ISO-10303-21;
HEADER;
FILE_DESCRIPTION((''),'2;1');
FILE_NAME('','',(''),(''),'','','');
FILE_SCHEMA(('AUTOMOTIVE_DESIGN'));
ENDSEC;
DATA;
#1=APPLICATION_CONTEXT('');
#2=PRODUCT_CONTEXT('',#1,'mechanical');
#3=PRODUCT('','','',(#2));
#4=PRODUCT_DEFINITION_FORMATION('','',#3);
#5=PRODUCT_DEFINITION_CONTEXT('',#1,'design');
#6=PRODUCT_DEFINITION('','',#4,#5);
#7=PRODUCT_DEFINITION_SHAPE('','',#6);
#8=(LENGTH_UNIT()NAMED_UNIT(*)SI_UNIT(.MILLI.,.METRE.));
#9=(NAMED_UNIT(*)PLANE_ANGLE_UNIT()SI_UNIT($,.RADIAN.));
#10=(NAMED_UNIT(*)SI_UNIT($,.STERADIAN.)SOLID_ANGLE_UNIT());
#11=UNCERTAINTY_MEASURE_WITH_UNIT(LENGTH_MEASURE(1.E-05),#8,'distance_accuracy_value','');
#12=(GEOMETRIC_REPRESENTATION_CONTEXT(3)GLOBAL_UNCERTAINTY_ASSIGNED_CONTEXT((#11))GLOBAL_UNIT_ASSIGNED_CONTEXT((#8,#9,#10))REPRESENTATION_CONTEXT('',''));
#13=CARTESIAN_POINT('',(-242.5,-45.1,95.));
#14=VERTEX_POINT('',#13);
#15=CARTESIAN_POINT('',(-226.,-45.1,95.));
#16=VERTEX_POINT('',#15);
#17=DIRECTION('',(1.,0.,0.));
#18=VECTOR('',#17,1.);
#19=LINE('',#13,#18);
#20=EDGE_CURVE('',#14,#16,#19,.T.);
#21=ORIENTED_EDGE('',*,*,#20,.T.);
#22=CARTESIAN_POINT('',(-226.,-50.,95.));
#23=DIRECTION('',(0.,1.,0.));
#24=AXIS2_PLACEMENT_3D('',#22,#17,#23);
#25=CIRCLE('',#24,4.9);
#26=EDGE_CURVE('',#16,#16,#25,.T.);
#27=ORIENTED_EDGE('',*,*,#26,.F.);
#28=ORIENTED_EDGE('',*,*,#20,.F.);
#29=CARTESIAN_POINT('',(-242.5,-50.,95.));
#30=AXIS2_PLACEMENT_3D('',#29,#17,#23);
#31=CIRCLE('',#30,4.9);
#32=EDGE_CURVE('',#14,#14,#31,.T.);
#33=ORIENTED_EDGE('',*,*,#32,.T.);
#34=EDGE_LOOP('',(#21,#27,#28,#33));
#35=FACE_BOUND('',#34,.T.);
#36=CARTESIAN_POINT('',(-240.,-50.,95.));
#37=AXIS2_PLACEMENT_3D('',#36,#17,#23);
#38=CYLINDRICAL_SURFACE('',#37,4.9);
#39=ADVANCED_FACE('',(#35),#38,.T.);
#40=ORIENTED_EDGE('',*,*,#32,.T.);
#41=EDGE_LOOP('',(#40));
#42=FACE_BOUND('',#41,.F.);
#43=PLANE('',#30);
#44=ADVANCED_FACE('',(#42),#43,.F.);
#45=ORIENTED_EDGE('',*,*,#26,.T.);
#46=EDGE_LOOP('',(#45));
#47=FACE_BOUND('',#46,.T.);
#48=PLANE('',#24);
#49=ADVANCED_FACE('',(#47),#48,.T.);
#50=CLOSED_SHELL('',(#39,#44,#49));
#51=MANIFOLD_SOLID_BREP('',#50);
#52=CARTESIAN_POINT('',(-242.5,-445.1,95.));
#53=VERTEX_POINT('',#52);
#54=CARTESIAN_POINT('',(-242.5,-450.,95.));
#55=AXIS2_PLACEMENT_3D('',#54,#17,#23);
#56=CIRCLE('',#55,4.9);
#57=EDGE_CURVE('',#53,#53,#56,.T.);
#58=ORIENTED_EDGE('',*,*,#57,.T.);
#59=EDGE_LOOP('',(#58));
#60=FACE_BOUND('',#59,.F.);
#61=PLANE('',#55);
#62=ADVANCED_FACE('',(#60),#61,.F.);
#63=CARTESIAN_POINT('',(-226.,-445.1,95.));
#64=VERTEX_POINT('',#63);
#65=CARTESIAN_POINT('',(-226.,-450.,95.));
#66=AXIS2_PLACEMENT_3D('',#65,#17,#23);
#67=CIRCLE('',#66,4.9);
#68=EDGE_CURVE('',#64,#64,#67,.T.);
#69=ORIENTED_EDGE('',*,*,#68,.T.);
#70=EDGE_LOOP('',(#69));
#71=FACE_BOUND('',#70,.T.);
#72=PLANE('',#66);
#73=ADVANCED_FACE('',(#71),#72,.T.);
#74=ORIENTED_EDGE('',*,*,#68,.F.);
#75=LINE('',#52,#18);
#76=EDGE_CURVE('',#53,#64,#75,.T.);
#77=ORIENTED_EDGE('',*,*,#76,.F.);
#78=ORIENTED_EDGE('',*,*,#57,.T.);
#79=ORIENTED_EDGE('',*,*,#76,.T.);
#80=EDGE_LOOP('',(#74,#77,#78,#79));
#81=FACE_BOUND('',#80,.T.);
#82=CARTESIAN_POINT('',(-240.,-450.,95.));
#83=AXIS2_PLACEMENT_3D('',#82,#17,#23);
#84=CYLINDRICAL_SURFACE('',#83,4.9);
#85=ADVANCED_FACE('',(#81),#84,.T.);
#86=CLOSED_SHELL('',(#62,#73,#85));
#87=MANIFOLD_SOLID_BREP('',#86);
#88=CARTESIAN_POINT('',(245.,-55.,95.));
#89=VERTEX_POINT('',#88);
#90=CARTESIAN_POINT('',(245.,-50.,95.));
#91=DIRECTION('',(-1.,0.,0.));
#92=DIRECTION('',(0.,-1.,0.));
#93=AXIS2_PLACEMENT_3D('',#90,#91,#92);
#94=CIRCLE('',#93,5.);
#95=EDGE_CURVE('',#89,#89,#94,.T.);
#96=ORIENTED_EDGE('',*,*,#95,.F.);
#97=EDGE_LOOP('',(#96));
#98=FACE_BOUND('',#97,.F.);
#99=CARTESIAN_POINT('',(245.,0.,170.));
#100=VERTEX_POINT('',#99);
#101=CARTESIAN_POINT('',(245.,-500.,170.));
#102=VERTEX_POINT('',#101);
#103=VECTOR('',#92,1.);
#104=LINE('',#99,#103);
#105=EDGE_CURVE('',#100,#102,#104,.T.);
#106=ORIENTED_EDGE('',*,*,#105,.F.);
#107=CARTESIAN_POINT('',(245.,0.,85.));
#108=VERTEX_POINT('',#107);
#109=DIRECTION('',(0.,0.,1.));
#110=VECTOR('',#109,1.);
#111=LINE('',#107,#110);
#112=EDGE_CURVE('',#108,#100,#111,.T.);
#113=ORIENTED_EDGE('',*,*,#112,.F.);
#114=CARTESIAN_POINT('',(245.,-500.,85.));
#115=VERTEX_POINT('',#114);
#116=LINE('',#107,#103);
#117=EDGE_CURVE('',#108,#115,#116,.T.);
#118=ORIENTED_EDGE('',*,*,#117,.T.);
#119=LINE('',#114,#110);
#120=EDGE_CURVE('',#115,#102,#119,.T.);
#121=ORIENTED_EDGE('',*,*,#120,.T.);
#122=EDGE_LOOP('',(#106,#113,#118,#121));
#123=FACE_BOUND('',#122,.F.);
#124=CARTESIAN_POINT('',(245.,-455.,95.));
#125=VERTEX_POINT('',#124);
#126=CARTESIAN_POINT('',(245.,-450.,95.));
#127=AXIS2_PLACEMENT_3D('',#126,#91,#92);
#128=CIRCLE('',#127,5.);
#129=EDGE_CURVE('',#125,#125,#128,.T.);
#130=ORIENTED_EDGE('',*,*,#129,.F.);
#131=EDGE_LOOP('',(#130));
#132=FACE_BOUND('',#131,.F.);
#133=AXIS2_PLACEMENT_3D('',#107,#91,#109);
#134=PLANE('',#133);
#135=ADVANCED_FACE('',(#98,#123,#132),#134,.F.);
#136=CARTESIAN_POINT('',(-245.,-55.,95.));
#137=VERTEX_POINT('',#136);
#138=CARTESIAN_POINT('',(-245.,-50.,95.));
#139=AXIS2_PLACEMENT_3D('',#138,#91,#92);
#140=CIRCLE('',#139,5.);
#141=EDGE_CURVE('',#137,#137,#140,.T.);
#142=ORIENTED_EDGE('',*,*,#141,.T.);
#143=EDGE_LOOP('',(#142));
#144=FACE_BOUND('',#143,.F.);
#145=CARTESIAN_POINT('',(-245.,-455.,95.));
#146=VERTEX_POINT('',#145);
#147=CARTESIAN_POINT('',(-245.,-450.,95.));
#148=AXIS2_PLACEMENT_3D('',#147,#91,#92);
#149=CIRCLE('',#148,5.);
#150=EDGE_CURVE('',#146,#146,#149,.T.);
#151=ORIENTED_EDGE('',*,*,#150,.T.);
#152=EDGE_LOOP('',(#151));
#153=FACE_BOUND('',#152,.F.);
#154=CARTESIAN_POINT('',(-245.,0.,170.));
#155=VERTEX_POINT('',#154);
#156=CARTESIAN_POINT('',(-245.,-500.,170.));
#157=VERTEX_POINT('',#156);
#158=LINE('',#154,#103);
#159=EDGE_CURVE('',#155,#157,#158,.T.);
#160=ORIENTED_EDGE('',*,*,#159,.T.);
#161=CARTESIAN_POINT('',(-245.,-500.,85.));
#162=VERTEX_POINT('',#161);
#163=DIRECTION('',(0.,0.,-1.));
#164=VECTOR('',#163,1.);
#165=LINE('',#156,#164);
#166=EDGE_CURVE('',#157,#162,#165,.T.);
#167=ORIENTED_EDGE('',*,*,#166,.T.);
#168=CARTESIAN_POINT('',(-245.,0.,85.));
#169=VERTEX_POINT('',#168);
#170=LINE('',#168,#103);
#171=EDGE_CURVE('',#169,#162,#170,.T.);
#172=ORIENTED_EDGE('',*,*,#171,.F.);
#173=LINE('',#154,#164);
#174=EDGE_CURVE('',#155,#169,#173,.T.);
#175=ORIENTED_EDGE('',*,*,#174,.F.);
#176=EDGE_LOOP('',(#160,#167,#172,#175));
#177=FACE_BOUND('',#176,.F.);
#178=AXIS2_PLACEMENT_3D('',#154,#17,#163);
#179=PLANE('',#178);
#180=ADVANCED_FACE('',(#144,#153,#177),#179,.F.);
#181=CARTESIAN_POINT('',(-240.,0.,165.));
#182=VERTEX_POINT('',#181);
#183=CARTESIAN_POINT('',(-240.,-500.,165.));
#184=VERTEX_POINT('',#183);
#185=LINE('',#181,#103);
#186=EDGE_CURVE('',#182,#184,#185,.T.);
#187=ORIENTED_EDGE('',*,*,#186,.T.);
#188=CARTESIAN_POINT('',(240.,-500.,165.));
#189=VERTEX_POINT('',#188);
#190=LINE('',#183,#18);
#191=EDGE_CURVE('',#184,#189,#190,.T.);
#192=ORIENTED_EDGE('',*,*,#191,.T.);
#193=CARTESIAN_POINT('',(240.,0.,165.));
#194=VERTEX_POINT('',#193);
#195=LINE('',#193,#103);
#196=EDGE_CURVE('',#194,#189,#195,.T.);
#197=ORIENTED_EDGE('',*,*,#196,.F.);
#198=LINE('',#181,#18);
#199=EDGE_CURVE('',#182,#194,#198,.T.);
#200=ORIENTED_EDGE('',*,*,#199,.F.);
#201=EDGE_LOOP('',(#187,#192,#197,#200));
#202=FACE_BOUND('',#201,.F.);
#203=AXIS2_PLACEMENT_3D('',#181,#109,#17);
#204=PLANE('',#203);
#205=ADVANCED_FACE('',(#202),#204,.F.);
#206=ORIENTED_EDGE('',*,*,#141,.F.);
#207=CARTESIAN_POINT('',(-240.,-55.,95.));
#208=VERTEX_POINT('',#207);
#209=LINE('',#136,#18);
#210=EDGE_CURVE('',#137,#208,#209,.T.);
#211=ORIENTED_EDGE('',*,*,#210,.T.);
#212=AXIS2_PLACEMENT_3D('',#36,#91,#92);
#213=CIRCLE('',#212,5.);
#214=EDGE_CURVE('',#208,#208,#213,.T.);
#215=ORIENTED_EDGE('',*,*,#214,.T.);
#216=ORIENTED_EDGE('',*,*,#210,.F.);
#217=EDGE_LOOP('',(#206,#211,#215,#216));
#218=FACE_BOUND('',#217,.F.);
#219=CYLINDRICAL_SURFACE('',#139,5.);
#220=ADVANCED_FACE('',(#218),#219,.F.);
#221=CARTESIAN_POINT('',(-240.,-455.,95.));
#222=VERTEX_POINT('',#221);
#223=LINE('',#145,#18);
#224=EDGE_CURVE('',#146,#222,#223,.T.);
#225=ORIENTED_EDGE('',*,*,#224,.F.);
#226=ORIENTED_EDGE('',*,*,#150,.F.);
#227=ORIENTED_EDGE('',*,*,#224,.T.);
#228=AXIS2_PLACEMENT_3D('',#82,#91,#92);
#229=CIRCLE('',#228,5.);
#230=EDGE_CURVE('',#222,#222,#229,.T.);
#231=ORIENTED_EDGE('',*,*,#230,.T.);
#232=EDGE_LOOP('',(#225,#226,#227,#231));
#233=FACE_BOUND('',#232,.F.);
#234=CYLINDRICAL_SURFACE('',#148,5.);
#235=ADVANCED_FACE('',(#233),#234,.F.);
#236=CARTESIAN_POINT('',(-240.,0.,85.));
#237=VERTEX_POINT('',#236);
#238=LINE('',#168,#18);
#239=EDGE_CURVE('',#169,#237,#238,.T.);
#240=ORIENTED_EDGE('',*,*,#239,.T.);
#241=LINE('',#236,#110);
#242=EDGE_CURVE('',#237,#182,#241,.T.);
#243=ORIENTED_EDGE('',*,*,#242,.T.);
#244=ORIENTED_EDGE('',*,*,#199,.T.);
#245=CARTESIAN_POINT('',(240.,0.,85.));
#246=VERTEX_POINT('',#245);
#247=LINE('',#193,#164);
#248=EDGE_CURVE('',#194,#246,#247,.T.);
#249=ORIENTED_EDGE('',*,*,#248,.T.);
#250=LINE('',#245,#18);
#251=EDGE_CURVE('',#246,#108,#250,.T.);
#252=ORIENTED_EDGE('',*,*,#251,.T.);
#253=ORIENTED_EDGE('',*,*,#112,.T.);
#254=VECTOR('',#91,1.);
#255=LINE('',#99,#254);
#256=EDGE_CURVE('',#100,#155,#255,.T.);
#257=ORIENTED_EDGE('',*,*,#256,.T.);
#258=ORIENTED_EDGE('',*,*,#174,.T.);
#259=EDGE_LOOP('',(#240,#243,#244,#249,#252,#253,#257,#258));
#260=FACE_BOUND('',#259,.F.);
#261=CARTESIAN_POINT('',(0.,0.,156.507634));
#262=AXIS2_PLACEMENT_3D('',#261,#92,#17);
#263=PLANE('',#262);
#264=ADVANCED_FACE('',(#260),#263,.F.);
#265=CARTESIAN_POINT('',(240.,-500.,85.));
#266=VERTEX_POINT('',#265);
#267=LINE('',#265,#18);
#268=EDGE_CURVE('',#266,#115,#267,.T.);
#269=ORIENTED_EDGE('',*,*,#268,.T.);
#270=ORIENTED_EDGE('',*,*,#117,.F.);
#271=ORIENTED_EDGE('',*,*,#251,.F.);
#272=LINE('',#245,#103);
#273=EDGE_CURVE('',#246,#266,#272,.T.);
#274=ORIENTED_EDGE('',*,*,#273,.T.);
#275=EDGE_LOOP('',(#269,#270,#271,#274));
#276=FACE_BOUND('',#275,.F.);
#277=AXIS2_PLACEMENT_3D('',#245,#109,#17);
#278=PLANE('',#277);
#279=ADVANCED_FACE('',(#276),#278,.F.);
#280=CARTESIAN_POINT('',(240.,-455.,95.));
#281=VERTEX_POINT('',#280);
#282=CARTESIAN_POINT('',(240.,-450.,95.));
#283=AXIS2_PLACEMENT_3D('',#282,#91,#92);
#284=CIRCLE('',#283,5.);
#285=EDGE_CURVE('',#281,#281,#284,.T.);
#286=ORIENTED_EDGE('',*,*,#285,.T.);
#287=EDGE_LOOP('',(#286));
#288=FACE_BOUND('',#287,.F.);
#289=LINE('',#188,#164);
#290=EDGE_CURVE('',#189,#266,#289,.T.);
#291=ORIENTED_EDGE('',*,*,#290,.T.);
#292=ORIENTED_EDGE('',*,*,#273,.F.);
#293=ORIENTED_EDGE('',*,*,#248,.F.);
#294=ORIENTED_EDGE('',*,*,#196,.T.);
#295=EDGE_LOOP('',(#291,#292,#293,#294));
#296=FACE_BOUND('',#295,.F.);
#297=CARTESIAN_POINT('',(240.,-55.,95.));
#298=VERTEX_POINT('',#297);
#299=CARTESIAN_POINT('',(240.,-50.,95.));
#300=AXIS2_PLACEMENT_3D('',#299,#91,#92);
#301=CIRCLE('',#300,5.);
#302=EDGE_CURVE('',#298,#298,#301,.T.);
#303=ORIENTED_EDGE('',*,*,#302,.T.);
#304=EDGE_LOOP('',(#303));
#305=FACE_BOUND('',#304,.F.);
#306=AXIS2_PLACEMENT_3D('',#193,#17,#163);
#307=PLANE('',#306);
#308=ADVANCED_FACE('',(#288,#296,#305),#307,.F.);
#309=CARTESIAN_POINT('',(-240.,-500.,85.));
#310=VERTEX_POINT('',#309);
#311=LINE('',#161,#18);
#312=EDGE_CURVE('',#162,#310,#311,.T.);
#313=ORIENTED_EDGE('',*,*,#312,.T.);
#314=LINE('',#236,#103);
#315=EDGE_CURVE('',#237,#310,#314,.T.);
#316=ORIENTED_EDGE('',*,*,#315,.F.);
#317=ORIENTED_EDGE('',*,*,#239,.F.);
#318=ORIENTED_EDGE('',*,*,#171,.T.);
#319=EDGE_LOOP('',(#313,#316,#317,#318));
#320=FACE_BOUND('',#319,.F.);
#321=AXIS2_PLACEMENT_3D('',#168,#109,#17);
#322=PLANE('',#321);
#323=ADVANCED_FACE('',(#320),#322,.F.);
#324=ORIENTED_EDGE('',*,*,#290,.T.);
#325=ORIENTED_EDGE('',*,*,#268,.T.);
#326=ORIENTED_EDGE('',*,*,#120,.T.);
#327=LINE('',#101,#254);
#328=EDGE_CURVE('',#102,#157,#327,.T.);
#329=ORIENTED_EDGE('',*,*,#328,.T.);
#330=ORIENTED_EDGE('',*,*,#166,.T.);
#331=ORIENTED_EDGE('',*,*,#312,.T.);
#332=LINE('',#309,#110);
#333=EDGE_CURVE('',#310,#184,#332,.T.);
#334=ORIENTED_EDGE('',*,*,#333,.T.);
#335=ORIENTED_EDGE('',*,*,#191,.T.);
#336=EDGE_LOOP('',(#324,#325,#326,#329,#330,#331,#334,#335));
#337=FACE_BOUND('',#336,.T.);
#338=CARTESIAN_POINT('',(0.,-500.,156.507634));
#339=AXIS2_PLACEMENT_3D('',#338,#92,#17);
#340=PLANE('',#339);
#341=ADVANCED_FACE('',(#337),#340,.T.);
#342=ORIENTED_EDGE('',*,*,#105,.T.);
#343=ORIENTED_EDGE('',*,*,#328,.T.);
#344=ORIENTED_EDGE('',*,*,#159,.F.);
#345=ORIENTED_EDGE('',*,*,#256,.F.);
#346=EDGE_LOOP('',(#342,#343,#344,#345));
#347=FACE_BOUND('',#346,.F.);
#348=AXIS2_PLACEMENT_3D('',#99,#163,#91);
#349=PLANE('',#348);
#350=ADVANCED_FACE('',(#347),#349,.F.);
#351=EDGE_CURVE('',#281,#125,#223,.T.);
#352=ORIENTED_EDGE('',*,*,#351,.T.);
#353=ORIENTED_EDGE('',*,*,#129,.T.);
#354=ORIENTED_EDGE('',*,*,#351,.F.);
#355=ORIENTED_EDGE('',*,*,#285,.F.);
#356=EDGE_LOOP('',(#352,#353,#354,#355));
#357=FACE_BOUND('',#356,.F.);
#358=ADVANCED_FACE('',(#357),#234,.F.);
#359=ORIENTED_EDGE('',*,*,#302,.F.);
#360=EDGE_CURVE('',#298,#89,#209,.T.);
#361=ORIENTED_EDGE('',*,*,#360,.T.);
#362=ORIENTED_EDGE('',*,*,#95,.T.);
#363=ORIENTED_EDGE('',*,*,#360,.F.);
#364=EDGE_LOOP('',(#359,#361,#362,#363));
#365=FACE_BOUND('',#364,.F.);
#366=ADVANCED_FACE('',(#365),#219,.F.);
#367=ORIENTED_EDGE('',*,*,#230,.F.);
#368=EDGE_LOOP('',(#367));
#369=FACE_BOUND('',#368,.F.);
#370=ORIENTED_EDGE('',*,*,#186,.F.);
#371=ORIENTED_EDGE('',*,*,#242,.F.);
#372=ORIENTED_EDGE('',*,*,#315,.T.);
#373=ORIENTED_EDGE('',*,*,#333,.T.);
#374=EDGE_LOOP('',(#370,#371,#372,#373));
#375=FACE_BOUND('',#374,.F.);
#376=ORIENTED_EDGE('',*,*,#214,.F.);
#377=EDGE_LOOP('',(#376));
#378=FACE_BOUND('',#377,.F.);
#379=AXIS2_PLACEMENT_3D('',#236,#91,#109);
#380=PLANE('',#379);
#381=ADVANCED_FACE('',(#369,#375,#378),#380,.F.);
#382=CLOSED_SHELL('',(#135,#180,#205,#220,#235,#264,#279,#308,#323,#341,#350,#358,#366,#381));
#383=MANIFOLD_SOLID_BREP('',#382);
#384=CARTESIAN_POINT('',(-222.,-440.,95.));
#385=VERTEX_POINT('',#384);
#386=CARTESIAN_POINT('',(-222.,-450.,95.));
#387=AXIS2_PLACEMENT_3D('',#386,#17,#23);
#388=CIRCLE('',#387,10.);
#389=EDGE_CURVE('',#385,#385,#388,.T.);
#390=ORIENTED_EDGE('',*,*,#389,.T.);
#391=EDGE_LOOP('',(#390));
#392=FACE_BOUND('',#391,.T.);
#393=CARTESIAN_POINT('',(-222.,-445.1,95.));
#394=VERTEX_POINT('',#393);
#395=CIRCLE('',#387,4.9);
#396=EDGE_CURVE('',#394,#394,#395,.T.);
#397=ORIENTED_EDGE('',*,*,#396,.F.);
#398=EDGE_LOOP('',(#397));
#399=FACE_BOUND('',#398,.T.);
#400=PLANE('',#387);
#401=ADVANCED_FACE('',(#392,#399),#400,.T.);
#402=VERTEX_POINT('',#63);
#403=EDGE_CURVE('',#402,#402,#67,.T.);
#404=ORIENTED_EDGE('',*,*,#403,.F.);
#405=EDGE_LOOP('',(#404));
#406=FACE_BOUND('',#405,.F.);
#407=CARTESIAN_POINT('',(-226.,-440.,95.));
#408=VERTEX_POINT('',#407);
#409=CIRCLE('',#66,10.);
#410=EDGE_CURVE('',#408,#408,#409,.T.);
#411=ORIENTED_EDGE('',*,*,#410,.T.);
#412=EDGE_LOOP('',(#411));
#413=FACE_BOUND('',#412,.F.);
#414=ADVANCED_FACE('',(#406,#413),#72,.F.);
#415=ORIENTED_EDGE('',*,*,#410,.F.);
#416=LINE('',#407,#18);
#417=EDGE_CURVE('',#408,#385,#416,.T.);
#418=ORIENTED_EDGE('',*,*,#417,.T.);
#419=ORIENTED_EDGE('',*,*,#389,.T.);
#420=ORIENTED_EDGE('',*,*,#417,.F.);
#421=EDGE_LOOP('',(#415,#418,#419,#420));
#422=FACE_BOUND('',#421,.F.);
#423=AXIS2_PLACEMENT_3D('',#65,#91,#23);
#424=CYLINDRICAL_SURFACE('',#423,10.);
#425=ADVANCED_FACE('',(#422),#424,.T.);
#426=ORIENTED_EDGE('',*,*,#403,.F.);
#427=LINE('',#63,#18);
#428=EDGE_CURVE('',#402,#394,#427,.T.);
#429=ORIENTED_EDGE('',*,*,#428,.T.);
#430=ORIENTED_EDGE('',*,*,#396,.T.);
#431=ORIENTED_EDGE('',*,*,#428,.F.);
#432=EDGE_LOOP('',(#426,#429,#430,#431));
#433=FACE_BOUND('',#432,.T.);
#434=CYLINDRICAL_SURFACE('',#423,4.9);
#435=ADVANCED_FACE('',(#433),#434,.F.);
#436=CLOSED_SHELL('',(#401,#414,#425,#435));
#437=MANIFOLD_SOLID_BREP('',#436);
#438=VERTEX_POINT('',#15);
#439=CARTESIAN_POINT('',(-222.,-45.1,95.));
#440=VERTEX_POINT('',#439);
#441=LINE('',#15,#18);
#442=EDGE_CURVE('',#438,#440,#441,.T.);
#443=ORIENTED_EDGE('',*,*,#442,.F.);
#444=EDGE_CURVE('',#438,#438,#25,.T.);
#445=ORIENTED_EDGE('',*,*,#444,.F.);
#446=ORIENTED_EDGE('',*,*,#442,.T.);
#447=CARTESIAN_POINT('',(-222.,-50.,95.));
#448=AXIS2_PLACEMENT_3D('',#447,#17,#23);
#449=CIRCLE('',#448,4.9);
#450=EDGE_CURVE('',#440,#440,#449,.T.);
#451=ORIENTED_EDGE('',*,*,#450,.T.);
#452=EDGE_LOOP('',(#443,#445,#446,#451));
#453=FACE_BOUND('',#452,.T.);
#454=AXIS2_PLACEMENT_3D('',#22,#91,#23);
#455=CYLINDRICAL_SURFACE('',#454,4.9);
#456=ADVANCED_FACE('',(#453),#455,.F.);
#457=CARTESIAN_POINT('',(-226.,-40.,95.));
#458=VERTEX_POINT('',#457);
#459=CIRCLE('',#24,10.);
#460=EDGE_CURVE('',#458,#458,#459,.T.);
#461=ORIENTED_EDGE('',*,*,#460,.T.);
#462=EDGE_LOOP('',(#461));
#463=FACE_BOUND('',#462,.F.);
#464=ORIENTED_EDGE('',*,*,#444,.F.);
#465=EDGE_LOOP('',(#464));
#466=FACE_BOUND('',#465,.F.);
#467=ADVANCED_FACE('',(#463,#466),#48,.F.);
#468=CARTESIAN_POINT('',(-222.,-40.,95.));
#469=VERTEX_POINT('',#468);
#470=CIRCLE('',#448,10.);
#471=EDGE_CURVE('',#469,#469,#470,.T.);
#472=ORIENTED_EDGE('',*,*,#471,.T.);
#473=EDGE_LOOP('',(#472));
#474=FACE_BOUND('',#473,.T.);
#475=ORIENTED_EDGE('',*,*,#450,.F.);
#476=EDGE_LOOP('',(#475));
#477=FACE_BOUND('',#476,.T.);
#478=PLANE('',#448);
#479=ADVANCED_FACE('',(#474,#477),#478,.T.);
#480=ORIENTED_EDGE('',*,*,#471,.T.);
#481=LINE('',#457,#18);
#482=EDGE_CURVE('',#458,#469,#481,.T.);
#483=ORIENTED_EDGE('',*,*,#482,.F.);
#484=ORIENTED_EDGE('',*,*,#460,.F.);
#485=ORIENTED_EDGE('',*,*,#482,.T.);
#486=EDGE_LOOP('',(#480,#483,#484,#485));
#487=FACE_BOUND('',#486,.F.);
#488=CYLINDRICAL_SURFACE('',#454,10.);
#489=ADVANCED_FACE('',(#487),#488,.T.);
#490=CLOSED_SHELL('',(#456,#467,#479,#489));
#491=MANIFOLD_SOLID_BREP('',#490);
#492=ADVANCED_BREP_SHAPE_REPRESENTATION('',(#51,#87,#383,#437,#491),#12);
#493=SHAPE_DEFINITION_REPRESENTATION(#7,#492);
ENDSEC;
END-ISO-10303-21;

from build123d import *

# Parameters (mm, degrees)
F1_DEPTH      = 500
F2_R          = 5
F3_DEPTH      = 490.001
F4_R          = 4.9
F5_DEPTH      = 14
F5_DEPTH_BACK = 2.5
F6_R          = 10
F6_R_2        = 4.9
F7_DEPTH      = 4
F8_R          = 10
F8_R_2        = 4.9
F9_DEPTH      = 4


with BuildPart() as f1:
    # F0 (on Front) → F1 (new body)
    with BuildSketch(Plane.XZ):
        Polygon((-245, 170), (-245, 85), (-240, 85), (-240, 165), (240, 165), (240, 85), (245, 85), (245, 170), align=None)
    extrude(amount=F1_DEPTH)

    # F2 (on face) → F3 (cut, through all)
    with BuildSketch(Plane(origin=(-245, 0, 0), x_dir=(0, -1, 0), z_dir=(-1, 0, 0))):
        with Locations((50, 95)):
            Circle(F2_R)
        with Locations((450, 95)):
            Circle(F2_R)
    extrude(amount=-F3_DEPTH, mode=Mode.SUBTRACT)


with BuildPart() as f5:
    # F4 (on face) → F5 (new body, two sides)
    with BuildSketch(Plane.YZ.offset(-240)) as f5_sk:
        with Locations((-450, 95)):
            Circle(F4_R)
        with Locations((-50, 95)):
            Circle(F4_R)
    extrude(amount=F5_DEPTH)
    extrude(f5_sk.sketch, amount=-F5_DEPTH_BACK)

    # F6 (on face) → F7 (join)
    with BuildSketch(Plane.YZ.offset(-226)):
        with Locations((-50, 95)):
            Circle(F6_R)
        with Locations((-50, 95)):
            Circle(F6_R_2, mode=Mode.SUBTRACT)
    extrude(amount=F7_DEPTH)

    # F8 (on face) → F9 (join)
    with BuildSketch(Plane.YZ.offset(-226)):
        with Locations((-450, 95)):
            Circle(F8_R)
        with Locations((-450, 95)):
            Circle(F8_R_2, mode=Mode.SUBTRACT)
    extrude(amount=F9_DEPTH)


solid = Compound([f1.part, f5.part])
